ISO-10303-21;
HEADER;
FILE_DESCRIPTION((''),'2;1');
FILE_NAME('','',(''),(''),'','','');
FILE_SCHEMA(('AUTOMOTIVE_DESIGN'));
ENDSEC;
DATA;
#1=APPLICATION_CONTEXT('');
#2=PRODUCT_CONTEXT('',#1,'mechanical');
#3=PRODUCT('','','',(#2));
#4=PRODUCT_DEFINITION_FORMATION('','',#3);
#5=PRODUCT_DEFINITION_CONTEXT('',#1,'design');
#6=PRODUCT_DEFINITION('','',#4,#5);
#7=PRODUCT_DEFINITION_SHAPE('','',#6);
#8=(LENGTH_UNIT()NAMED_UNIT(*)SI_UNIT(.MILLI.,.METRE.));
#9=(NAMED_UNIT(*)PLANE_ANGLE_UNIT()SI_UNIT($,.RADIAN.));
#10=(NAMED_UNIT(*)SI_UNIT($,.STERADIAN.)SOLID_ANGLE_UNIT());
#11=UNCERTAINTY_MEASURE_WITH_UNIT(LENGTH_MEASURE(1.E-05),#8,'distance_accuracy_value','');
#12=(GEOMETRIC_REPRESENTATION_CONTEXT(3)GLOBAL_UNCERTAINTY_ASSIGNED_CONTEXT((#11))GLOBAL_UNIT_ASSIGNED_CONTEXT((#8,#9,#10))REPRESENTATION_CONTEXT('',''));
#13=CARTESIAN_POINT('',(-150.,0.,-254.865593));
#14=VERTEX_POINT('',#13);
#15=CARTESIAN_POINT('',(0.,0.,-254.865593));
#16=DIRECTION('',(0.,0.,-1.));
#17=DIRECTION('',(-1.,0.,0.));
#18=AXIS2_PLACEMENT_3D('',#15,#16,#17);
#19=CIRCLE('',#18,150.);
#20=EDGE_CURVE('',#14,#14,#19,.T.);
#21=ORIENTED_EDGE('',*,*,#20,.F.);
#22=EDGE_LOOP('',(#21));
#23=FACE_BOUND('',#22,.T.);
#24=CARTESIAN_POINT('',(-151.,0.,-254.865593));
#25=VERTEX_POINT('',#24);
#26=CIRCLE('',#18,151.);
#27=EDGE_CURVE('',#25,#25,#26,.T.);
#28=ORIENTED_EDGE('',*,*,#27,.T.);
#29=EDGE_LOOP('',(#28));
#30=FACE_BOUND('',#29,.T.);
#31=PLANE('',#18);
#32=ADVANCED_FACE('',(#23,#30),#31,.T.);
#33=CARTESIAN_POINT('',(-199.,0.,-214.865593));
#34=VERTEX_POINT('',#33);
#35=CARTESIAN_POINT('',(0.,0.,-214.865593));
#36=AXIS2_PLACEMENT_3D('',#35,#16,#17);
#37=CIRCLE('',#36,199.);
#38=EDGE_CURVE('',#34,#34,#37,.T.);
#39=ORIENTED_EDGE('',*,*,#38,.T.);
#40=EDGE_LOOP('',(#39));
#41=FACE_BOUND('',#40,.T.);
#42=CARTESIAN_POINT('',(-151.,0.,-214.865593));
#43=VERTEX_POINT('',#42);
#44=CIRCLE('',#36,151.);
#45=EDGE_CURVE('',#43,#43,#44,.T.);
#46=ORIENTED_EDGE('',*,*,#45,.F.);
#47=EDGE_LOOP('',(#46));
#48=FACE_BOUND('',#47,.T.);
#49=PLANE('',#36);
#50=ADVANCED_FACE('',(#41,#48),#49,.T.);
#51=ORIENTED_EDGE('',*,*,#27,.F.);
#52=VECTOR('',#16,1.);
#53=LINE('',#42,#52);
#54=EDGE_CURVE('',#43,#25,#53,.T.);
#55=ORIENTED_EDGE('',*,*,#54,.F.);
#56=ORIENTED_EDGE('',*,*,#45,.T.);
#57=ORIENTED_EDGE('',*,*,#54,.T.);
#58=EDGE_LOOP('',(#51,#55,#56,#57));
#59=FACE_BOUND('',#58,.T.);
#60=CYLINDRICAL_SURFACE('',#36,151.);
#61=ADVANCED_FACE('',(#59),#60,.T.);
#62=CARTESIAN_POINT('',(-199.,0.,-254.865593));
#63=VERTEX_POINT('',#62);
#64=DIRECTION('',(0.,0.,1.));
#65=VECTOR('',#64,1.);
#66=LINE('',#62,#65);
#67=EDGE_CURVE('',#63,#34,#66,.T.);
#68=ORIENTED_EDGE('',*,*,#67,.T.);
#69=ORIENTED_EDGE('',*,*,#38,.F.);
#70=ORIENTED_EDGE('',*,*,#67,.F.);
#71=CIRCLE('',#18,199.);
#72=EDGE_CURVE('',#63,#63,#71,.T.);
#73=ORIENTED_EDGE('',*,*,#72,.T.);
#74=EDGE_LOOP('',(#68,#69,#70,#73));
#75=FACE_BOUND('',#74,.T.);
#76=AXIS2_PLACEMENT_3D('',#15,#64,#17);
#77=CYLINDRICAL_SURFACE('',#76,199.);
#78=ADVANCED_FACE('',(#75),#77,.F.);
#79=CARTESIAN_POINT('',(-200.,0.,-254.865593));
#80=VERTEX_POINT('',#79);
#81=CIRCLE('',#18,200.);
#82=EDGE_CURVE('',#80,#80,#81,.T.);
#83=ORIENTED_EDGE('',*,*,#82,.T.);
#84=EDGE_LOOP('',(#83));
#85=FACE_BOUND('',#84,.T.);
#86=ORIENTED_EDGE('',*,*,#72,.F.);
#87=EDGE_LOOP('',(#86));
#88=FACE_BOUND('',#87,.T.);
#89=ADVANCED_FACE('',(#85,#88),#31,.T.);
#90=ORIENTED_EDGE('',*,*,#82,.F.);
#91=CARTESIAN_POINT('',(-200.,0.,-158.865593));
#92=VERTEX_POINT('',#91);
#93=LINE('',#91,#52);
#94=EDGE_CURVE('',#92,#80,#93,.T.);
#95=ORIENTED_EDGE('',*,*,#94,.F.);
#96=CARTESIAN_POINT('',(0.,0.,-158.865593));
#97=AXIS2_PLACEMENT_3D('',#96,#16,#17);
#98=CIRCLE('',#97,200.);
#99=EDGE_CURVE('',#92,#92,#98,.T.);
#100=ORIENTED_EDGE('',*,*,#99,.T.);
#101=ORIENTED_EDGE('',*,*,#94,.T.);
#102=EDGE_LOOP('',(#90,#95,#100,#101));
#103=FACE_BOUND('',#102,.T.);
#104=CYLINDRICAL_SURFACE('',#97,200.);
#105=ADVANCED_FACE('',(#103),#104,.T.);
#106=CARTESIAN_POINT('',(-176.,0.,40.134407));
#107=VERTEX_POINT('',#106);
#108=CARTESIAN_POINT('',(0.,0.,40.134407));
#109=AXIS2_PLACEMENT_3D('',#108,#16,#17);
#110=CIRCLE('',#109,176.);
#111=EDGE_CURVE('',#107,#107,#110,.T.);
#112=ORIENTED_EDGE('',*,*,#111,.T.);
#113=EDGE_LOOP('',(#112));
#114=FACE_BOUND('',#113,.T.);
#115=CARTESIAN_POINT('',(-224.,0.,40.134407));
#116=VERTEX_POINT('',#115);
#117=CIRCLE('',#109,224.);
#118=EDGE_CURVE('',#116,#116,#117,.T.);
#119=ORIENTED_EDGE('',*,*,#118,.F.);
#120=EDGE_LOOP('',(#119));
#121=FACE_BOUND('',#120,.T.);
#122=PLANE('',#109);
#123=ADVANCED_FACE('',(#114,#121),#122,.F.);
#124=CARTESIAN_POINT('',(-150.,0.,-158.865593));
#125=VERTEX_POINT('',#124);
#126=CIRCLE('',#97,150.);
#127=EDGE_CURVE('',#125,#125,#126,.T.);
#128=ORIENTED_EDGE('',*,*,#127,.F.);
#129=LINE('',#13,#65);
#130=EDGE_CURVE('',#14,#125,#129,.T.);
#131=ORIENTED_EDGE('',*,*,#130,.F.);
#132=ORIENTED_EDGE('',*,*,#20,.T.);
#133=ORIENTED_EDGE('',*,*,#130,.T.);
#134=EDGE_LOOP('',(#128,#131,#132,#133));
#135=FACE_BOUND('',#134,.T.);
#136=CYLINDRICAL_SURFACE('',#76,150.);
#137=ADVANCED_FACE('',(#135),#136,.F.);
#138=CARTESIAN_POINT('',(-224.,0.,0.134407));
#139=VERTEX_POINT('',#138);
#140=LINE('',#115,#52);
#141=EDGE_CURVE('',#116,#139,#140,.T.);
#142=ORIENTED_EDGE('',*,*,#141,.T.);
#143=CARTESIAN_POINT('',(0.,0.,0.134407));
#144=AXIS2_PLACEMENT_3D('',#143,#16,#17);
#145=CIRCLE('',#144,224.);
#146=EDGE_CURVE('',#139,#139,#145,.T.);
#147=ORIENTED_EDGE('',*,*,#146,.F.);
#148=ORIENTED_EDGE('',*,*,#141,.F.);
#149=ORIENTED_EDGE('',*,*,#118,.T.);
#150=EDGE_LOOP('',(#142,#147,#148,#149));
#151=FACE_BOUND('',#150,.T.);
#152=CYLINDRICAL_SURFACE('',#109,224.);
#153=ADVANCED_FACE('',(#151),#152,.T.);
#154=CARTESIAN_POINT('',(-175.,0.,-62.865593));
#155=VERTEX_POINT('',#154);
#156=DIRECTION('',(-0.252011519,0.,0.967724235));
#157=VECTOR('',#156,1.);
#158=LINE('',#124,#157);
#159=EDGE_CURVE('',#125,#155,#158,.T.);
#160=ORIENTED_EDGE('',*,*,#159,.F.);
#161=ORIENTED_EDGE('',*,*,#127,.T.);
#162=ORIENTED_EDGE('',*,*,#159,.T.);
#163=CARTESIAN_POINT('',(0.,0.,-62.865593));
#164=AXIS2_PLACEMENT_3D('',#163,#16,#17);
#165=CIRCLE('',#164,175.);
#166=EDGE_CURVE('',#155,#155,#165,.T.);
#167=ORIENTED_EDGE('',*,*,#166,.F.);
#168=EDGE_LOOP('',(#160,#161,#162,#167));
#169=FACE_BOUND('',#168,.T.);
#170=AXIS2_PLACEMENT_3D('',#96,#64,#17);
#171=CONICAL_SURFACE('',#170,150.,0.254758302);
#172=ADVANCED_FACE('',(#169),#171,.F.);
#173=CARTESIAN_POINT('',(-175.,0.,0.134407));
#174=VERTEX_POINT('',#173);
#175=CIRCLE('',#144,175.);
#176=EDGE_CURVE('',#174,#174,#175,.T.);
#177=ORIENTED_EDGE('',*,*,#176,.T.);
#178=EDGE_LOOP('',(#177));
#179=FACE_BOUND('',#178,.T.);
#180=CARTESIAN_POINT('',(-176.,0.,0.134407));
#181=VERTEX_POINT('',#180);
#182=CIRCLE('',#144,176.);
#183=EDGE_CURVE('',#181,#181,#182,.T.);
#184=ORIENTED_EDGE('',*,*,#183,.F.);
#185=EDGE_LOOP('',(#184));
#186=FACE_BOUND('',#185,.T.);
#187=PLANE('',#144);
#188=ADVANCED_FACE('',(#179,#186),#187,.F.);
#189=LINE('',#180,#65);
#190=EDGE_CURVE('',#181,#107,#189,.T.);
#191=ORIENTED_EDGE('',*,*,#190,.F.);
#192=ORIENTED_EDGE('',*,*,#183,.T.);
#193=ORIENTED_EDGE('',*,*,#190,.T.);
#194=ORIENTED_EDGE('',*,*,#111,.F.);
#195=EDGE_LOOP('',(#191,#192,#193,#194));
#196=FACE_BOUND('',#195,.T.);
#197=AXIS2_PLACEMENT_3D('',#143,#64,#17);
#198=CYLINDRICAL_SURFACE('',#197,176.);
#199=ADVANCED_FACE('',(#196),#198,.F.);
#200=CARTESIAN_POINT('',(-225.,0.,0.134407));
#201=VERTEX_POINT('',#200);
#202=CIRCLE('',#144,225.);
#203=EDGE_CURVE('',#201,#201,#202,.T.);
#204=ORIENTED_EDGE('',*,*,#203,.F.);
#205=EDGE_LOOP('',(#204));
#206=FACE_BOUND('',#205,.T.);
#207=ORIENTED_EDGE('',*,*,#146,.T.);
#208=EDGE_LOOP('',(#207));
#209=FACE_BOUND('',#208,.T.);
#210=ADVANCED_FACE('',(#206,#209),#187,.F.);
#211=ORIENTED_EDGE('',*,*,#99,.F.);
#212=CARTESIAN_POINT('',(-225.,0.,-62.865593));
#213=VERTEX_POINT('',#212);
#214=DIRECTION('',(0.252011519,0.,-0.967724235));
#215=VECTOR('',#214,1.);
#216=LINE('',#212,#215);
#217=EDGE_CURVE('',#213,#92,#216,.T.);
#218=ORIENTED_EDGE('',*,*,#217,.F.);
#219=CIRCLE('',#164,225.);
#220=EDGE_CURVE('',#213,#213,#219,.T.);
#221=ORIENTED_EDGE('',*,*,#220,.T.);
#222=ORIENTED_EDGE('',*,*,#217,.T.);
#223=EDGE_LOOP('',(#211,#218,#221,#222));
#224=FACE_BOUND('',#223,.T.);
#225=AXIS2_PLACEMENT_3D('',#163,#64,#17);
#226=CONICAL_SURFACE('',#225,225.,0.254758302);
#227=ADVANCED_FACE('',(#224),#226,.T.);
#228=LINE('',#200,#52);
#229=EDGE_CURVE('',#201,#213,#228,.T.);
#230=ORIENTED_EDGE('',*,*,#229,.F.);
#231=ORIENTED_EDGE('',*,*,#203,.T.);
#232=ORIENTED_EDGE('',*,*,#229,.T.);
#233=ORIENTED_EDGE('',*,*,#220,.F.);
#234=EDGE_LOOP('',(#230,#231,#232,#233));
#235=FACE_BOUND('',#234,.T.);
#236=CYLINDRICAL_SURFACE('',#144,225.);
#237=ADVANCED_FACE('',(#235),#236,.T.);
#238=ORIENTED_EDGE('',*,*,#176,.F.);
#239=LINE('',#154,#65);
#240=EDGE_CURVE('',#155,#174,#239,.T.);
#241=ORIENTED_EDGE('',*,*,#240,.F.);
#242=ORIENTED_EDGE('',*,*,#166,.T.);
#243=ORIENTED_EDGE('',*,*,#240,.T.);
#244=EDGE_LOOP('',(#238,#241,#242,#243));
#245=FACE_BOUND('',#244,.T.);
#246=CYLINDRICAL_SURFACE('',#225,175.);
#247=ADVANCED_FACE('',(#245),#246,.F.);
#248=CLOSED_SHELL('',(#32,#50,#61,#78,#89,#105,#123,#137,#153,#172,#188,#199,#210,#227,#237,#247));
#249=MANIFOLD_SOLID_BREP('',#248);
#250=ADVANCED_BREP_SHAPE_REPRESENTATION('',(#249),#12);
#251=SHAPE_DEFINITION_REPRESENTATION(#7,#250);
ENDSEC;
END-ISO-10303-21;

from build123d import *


with BuildPart() as f1:
    # F0 (on Front) → F1 (revolve)
    with BuildSketch(Plane.XZ):
        Polygon((-151, -254.865593), (-150, -254.865593), (-150, -158.865593), (-175, -62.865593), (-175, 0.134407), (-176, 0.134407), (-176, 40.134407), (-224, 40.134407), (-224, 0.134407), (-225, 0.134407), (-225, -62.865593), (-200, -158.865593), (-200, -254.865593), (-199, -254.865593), (-199, -214.865593), (-151, -214.865593), align=None)
    revolve(axis=Axis((0, 0, -0.829662), (0, 0, -1)))


solid = f1.part
